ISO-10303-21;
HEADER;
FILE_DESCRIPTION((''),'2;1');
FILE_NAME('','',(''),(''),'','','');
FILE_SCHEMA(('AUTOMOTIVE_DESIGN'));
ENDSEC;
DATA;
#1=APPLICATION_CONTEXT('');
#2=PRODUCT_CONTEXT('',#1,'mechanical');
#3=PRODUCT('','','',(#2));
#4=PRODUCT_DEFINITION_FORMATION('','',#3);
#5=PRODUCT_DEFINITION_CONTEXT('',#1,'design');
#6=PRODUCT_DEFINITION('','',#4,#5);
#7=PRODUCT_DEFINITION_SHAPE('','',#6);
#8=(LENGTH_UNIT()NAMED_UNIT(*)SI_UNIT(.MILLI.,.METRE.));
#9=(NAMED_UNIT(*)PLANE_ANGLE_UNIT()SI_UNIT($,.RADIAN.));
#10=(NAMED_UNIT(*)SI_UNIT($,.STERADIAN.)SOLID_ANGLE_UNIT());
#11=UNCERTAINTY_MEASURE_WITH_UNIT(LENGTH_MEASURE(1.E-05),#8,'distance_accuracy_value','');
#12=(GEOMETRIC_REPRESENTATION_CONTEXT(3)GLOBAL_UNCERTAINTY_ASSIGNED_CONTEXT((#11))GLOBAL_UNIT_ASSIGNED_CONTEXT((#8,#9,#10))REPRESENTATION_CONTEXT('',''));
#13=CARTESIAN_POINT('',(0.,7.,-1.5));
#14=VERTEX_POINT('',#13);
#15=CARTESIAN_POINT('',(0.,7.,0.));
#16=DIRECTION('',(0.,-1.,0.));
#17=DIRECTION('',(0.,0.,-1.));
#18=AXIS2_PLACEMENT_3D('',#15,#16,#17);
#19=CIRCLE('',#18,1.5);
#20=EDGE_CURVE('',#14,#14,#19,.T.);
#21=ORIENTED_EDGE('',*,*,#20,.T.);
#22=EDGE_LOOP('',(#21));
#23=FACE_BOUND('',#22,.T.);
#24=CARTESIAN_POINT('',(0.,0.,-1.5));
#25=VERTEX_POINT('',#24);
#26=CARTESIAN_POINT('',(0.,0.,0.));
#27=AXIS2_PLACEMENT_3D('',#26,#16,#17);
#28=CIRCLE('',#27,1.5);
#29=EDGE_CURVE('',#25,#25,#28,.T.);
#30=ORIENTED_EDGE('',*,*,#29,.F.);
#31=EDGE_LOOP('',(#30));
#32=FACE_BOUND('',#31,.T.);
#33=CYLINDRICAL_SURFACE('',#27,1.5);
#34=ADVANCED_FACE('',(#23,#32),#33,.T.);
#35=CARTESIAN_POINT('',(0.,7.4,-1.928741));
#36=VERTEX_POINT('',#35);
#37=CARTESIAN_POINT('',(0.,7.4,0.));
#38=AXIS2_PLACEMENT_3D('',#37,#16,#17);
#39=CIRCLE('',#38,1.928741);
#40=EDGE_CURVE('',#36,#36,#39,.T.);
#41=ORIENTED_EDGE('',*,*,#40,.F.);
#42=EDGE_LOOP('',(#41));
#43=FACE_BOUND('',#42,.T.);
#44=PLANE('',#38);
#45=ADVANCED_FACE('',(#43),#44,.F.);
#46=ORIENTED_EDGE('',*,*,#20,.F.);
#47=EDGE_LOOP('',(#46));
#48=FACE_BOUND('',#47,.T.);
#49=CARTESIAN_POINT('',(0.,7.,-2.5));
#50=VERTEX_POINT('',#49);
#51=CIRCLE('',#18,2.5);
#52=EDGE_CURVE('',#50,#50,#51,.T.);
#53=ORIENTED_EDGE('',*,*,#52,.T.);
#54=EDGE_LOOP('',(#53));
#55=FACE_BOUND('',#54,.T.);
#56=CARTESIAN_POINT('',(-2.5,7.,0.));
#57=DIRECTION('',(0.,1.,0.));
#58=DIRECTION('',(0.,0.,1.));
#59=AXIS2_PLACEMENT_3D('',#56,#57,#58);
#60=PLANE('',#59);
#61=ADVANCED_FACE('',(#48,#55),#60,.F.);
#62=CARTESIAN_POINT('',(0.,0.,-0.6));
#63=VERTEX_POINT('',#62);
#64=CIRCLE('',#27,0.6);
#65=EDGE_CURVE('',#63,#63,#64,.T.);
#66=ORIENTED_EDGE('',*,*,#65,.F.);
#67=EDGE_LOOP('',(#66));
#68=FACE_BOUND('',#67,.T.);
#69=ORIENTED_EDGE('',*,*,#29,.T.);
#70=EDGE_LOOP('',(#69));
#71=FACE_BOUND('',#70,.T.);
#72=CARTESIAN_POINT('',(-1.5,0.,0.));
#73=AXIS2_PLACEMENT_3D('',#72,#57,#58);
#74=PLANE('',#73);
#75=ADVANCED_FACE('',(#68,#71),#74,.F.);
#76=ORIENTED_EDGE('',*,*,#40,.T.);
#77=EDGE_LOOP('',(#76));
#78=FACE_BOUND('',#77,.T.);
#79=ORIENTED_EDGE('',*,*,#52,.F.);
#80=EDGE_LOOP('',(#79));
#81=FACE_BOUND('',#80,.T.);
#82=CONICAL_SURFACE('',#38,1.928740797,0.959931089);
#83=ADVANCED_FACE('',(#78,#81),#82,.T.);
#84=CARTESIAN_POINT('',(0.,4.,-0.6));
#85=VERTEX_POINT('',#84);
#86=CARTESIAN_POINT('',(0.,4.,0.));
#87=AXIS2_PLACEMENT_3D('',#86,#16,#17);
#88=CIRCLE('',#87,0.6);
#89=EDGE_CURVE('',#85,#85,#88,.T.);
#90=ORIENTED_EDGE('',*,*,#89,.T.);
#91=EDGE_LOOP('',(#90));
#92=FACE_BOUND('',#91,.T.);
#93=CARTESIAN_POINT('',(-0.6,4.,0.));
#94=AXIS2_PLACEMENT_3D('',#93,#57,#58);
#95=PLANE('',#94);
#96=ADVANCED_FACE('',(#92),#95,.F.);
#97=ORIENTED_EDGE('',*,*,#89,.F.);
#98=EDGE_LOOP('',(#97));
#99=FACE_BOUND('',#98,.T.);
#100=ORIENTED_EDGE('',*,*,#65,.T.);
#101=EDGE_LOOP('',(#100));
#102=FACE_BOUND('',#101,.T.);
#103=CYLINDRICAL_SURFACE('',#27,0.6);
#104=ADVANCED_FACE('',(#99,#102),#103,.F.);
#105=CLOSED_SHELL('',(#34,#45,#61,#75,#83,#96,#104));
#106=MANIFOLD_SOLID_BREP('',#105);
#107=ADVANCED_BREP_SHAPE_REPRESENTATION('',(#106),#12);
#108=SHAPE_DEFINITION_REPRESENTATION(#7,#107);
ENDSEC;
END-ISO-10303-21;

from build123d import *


with BuildPart() as part:
    # 草图1 → 旋转1 (revolve)
    with BuildSketch(Plane.XY, mode=Mode.PRIVATE) as revolve_1_sk:
        Polygon((0, 7.4), (-1.928740797, 7.4), (-2.5, 7), (-1.5, 7), (-1.5, 0), (-0.6, 0), (-0.6, 4), (0, 4), align=None)
    revolve(revolve_1_sk.sketch.rotate(Axis((0, 0, 0), (0, 1, 0)), 270), axis=Axis((0, 0, 0), (0, 1, 0)))


solid = part.part
